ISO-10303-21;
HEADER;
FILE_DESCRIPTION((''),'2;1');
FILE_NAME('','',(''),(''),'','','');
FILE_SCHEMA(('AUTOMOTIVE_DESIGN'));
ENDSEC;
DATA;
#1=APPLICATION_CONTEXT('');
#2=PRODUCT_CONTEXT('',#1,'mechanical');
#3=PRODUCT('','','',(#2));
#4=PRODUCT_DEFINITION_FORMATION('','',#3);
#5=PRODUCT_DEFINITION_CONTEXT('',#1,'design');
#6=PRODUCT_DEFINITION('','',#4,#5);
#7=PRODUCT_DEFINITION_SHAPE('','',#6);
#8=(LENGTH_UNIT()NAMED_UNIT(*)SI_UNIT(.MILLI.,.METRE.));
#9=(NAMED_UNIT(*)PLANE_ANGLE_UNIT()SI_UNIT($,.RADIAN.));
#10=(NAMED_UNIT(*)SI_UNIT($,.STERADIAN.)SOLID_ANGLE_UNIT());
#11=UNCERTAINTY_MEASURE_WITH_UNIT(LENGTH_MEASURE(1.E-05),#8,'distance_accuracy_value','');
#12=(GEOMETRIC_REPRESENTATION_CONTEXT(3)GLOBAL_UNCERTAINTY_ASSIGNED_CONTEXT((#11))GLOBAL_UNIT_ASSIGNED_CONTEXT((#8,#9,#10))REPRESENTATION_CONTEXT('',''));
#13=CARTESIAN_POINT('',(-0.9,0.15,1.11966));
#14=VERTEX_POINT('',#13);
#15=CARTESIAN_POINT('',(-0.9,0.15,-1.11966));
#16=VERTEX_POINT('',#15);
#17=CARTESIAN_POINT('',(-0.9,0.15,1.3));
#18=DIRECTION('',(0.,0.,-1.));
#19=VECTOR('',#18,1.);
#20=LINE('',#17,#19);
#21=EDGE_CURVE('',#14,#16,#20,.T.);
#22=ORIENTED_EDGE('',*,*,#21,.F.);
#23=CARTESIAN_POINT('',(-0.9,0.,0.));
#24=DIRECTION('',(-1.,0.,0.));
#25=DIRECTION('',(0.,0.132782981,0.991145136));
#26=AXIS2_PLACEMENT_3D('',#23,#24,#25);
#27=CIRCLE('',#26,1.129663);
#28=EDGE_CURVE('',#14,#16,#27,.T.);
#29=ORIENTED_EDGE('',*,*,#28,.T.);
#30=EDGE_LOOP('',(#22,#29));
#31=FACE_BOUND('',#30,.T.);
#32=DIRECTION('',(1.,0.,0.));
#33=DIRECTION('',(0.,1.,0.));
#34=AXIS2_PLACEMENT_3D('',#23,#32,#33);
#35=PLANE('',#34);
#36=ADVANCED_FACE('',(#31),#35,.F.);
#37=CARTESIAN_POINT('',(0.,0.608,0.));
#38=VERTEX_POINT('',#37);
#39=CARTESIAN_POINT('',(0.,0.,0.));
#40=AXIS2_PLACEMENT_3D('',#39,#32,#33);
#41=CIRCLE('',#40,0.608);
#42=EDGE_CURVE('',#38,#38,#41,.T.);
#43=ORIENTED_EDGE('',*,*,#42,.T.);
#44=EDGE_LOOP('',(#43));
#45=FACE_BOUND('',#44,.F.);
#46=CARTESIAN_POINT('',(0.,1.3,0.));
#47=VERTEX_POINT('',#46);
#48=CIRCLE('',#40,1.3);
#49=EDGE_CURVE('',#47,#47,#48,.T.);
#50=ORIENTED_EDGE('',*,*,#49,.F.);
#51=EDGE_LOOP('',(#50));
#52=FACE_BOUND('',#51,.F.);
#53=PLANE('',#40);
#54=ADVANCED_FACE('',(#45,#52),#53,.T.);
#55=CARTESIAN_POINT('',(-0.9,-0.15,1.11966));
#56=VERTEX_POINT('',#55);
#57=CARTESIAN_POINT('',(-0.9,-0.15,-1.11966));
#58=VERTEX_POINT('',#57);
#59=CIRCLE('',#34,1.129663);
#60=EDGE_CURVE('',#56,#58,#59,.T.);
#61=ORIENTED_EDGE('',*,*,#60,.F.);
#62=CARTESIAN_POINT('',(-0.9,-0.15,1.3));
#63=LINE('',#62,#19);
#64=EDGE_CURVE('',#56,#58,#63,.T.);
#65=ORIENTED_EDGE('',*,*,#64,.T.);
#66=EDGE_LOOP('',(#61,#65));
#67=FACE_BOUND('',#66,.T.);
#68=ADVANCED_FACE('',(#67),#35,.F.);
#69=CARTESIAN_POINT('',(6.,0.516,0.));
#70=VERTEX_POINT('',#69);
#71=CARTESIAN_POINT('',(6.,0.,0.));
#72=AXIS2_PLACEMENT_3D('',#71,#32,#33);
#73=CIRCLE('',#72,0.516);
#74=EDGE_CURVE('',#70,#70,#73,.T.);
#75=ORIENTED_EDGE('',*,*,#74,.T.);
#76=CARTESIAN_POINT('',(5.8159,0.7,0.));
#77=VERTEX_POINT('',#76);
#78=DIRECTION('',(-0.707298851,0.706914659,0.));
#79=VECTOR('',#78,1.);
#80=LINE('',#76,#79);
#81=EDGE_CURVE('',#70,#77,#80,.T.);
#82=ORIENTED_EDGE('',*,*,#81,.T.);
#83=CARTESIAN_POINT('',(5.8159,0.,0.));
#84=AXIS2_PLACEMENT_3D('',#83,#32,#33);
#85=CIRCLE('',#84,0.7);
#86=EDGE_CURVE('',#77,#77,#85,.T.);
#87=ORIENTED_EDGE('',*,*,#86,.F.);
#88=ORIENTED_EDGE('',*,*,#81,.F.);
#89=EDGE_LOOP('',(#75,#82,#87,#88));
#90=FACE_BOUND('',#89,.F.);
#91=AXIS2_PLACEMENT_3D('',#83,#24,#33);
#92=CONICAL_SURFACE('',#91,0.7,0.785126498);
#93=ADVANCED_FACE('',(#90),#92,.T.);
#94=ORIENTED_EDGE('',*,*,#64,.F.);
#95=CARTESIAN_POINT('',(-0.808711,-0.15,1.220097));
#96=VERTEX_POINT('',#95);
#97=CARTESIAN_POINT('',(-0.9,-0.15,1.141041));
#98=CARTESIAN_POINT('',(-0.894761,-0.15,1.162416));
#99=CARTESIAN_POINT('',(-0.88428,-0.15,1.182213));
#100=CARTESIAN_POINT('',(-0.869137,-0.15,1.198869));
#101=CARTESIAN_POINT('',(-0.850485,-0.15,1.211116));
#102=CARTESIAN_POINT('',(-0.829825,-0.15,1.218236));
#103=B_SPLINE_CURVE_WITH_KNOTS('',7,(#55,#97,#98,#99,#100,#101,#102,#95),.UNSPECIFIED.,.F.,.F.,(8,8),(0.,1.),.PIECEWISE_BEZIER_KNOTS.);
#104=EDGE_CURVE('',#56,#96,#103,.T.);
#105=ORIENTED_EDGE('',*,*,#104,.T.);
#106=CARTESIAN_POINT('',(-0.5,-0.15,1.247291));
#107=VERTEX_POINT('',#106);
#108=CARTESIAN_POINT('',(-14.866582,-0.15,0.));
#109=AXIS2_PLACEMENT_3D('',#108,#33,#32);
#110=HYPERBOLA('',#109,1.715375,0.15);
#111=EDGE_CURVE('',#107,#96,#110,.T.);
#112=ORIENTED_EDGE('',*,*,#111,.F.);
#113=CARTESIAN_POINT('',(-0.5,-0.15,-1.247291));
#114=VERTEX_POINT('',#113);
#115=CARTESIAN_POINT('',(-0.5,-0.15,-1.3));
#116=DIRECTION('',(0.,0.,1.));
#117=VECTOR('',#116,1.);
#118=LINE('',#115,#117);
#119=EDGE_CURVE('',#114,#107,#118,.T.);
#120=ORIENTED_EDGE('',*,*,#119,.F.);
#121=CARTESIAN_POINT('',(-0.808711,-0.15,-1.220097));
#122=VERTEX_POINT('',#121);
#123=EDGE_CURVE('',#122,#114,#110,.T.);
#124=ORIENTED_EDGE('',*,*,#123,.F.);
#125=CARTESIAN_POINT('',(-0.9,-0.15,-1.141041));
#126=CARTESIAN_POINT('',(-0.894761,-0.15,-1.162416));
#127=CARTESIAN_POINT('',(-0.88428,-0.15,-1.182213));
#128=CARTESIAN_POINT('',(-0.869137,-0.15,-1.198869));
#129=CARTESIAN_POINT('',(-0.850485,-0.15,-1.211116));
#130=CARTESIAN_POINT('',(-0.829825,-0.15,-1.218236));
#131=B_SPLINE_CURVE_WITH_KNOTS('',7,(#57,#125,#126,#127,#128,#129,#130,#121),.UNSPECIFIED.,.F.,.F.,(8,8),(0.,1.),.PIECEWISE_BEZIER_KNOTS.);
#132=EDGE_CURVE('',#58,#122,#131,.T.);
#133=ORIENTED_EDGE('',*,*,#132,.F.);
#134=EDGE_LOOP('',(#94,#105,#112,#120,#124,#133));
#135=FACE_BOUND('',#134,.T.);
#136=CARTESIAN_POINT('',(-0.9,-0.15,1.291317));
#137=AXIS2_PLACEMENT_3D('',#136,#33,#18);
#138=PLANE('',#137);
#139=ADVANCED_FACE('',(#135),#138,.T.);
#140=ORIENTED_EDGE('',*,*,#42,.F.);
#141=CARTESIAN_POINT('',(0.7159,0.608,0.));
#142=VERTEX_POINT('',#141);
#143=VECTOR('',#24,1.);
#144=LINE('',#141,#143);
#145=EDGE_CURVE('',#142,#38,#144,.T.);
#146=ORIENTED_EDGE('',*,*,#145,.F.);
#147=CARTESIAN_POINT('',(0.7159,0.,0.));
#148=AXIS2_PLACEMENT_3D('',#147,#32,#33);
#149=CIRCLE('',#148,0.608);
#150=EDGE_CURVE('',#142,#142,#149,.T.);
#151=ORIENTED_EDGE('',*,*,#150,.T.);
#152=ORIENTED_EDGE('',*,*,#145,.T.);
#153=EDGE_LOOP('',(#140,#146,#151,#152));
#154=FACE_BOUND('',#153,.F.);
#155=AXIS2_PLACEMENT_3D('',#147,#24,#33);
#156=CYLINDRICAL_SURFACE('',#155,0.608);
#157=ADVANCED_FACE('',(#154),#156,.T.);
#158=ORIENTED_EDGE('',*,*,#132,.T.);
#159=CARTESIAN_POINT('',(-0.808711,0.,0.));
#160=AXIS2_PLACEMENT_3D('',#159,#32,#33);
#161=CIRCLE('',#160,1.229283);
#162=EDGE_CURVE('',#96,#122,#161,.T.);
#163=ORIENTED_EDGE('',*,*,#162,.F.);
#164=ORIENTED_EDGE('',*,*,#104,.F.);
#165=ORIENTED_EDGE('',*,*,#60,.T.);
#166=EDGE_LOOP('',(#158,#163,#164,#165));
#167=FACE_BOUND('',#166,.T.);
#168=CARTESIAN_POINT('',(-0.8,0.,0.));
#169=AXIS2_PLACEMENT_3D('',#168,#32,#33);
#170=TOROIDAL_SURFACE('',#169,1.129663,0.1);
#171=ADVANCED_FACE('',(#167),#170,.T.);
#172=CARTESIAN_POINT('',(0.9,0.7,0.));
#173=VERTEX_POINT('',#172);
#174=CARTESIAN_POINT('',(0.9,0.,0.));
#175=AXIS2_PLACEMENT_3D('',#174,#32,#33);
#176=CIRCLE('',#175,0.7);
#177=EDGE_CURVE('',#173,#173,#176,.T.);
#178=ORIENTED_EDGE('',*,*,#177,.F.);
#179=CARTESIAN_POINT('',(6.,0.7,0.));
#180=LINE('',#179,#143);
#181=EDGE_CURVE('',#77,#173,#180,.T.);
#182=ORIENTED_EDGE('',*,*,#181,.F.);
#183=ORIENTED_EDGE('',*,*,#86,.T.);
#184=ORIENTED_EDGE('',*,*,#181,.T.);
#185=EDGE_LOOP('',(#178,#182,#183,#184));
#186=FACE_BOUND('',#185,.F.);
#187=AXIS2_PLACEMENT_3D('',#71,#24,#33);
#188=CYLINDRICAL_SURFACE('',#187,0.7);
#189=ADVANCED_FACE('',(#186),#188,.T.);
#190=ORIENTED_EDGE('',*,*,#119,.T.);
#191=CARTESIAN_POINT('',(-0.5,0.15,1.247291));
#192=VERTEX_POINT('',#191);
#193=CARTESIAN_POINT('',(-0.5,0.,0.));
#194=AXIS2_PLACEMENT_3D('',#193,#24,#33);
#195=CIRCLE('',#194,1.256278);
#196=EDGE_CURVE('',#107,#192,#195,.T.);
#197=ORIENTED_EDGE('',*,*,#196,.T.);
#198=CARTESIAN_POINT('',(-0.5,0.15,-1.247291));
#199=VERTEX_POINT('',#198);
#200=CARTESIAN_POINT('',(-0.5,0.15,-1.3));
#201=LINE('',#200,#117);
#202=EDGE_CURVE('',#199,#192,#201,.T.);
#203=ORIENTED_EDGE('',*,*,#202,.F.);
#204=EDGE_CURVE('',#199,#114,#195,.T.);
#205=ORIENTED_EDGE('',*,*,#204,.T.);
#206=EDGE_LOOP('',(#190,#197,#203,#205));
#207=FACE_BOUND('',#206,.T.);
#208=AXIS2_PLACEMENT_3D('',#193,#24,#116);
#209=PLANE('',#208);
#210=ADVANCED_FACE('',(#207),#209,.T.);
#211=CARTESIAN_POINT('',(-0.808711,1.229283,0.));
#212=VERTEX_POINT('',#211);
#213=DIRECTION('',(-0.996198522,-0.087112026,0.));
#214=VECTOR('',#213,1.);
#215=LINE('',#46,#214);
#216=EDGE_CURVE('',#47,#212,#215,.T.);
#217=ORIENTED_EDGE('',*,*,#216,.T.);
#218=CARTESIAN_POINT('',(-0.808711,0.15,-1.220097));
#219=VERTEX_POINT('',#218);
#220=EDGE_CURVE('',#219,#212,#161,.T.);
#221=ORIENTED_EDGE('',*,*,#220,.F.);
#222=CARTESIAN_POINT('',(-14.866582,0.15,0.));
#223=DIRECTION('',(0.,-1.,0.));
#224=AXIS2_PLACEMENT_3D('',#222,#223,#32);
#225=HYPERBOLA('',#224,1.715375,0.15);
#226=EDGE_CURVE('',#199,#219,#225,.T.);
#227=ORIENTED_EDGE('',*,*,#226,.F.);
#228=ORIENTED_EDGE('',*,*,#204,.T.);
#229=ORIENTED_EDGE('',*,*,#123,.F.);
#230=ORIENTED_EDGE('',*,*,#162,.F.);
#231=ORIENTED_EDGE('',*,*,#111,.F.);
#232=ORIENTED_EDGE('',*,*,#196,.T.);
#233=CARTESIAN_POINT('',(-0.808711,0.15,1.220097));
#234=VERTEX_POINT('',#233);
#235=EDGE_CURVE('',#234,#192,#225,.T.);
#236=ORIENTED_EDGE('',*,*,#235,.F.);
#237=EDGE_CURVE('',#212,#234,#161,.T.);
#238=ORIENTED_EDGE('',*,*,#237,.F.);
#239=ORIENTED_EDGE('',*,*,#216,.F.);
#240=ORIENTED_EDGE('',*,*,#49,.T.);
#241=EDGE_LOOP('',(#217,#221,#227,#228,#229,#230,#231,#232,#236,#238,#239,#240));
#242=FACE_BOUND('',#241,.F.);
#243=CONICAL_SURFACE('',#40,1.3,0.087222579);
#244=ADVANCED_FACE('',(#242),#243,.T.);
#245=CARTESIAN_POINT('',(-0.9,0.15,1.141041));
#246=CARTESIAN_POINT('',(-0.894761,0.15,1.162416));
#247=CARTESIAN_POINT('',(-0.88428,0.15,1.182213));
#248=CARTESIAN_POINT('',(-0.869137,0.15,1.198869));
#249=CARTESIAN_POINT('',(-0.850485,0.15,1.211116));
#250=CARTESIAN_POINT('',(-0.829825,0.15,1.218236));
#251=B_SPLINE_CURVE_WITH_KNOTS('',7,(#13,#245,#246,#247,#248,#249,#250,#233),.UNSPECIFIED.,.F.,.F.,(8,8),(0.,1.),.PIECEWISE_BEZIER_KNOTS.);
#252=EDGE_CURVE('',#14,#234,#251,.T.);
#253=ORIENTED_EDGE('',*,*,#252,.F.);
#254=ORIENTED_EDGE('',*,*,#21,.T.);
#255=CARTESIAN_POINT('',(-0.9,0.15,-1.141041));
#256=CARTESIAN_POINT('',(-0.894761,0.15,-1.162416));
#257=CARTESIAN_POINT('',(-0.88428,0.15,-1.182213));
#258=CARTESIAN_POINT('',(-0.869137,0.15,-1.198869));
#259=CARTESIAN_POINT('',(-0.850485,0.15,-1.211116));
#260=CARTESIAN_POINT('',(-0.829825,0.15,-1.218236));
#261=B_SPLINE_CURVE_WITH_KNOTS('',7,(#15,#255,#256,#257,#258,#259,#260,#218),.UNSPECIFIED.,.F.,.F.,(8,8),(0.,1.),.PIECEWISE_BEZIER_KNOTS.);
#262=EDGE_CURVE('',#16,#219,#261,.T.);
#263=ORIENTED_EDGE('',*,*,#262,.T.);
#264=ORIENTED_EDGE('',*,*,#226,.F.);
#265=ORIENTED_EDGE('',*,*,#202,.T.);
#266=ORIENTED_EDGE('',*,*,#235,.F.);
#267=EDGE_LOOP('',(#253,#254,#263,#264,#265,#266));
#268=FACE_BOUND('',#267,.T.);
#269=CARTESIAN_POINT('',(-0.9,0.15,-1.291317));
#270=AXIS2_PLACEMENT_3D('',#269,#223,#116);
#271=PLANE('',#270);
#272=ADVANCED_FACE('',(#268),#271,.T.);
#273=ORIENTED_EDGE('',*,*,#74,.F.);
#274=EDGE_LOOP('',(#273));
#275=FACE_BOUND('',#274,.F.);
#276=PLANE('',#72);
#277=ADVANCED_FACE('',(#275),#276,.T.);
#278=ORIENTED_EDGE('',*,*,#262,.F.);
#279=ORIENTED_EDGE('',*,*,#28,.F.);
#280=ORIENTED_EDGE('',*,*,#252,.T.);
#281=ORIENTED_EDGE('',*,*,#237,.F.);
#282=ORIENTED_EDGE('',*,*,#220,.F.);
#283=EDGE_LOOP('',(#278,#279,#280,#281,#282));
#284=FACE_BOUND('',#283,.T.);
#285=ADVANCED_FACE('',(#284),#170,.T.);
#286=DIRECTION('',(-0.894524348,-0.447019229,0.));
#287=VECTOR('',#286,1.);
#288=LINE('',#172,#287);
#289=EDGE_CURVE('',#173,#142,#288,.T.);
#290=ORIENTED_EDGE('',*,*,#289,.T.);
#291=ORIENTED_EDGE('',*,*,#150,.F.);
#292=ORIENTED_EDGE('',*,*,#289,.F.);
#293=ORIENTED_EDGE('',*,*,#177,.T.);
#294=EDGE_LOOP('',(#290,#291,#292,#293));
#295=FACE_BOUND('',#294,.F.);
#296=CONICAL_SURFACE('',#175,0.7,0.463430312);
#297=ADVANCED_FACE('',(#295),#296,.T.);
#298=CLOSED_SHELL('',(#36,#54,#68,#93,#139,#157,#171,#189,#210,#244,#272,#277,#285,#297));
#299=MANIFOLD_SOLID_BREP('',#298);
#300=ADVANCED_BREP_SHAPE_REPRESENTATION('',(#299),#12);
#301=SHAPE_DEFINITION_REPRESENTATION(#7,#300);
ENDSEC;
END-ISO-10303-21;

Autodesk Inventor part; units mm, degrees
ref_plane "YZ Plane" through (0, 0, 0) normal (1, 0, 0) x (0, 1, 0)
ref_plane "XZ Plane" through (0, 0, 0) normal (0, 1, 0) x (-1, 0, 0)
sketch "Sketch1" plane through (0, 0, 0) normal (0, 0, 1) x (1, 0, 0)
  line L0 (-0.9, 0) -> (6, 0)
  line L1 (6, 0) -> (6, 0.7)
  line L2 (6, 0.7) -> (0.9, 0.7)
  line L3 (0.9, 0.7) -> (0.7159, 0.608)
  line L4 (0.7159, 0.608) -> (0, 0.608)
  line L5 (0, 0.608) -> (0, 1.3)
  line L6 (-2.28, 0) -> (7.38, 0) projected
  line L7 (0, -0.26) -> (0, 1.56) projected
  line L8 (-0.9, 0) -> (-0.9, 1.2213)
  line L9 (0, 1.3) -> (-0.9, 1.2213)
  line L10 (0.9, 0.7) -> (0, 0.7) construction
  dimension "d0" = 6
  dimension "d1" = 5.1
  dimension "d2" = 0.1841
  dimension "d3" = 0.9
  dimension "d4" = 1.4
  dimension "d5" = 1.216
  dimension "d9" = 2.6
  dimension "d10" = 5
revolve "Body" add sketch "Sketch1" angle 360 about axis through (-0.9, 0, 0) along (1, 0, 0)
sketch "Sketch2" plane through (-0.9, 0, 0) normal (-1, 0, 0) x (0, 0, 1)
  circle A0 centre (0, 0) radius 1.3 projected
  line L0 (0, 0) -> (0, 1.2213) projected
  line L1 (-1.3, 0.15) -> (1.3, 0.15)
  line L2 (1.3, 0.15) -> (1.3, -0.15)
  line L3 (1.3, -0.15) -> (-1.3, -0.15)
  line L4 (-1.3, -0.15) -> (-1.3, 0.15)
  line L5 (-1.3, 0) -> (1.3, 0) construction
  line L6 (0, 0.15) -> (0, -0.15) construction
  dimension "d11" = 0.3
  dimension "d12" = 2.6
fillet "Fillet1" radius 0.1 1 edges at (-0.9, -1.2213, 0)
extrude "Slot" cut sketch "Sketch2" against normal blind 0.4 contours A0 L3 L1 | L2 L3 A0 | A0 L1 L2 | A0 L4 L1 | L3 L4 A0
thread "Thread" size "M1.4x0.3" class "6g" standard "ISO Metric profile" length 5.1
chamfer "Chamfer1" distance 0.184 distance2 0.1841 1 edges at (6, -0.7, 0) measured on face at (6, 0.4293, -0.1327)
ref_plane "Work Plane1" through (30.1625, 0, 0) normal (0, 0, -1) x (1, 0, 0)
equation "\"d11\" = SBR"
equation "\"d12\" = KOD"
equation "\"d19\" = STI"
equation "\"d14\" = RR"
equation "\"d15\" = GEL"
equation "\"d17\" = -0.5 * SPD + 0.5 * GD"
equation "\"d0\" = NLG"
equation "\"d1\" = GEL"
equation "\"d3\" = KOH"
equation "\"d4\" = GD"
equation "\"d5\" = BDM"
equation "\"d9\" = KOD"
equation "\"d10\" = KEWI"
equation "\"GD\" = NND"
equation "\"NLG\" = 6"
equation "\"GEL\" = 5.1"
equation "\"KOD\" = 2.6"
equation "\"KOH\" = 0.9"
equation "\"GAL\" = 0.61345 * PTC"
equation "\"SPD\" = NND - 1.2269 * PTC"
equation "\"BDM\" = 1.216"
equation "\"GUL\" = 0.61345 * PTC"
equation "\"RR\" = 0.1"
equation "\"SBR\" = 0.3"
equation "\"STI\" = 0.4"
equation "\"KEWI\" = 5deg"
equation "\"PTC\" = 0.3"
equation "\"THREADDIA\" = 1.4"
equation "\"TOA\" = 30deg"
equation "\"NND\" = 1.4"
equation "\"GD1\" = THREADDIA - 1.2269 * PTC"
properties part number "CNS 4355 - M 1,4 x 6" material "Steel, Mild"
